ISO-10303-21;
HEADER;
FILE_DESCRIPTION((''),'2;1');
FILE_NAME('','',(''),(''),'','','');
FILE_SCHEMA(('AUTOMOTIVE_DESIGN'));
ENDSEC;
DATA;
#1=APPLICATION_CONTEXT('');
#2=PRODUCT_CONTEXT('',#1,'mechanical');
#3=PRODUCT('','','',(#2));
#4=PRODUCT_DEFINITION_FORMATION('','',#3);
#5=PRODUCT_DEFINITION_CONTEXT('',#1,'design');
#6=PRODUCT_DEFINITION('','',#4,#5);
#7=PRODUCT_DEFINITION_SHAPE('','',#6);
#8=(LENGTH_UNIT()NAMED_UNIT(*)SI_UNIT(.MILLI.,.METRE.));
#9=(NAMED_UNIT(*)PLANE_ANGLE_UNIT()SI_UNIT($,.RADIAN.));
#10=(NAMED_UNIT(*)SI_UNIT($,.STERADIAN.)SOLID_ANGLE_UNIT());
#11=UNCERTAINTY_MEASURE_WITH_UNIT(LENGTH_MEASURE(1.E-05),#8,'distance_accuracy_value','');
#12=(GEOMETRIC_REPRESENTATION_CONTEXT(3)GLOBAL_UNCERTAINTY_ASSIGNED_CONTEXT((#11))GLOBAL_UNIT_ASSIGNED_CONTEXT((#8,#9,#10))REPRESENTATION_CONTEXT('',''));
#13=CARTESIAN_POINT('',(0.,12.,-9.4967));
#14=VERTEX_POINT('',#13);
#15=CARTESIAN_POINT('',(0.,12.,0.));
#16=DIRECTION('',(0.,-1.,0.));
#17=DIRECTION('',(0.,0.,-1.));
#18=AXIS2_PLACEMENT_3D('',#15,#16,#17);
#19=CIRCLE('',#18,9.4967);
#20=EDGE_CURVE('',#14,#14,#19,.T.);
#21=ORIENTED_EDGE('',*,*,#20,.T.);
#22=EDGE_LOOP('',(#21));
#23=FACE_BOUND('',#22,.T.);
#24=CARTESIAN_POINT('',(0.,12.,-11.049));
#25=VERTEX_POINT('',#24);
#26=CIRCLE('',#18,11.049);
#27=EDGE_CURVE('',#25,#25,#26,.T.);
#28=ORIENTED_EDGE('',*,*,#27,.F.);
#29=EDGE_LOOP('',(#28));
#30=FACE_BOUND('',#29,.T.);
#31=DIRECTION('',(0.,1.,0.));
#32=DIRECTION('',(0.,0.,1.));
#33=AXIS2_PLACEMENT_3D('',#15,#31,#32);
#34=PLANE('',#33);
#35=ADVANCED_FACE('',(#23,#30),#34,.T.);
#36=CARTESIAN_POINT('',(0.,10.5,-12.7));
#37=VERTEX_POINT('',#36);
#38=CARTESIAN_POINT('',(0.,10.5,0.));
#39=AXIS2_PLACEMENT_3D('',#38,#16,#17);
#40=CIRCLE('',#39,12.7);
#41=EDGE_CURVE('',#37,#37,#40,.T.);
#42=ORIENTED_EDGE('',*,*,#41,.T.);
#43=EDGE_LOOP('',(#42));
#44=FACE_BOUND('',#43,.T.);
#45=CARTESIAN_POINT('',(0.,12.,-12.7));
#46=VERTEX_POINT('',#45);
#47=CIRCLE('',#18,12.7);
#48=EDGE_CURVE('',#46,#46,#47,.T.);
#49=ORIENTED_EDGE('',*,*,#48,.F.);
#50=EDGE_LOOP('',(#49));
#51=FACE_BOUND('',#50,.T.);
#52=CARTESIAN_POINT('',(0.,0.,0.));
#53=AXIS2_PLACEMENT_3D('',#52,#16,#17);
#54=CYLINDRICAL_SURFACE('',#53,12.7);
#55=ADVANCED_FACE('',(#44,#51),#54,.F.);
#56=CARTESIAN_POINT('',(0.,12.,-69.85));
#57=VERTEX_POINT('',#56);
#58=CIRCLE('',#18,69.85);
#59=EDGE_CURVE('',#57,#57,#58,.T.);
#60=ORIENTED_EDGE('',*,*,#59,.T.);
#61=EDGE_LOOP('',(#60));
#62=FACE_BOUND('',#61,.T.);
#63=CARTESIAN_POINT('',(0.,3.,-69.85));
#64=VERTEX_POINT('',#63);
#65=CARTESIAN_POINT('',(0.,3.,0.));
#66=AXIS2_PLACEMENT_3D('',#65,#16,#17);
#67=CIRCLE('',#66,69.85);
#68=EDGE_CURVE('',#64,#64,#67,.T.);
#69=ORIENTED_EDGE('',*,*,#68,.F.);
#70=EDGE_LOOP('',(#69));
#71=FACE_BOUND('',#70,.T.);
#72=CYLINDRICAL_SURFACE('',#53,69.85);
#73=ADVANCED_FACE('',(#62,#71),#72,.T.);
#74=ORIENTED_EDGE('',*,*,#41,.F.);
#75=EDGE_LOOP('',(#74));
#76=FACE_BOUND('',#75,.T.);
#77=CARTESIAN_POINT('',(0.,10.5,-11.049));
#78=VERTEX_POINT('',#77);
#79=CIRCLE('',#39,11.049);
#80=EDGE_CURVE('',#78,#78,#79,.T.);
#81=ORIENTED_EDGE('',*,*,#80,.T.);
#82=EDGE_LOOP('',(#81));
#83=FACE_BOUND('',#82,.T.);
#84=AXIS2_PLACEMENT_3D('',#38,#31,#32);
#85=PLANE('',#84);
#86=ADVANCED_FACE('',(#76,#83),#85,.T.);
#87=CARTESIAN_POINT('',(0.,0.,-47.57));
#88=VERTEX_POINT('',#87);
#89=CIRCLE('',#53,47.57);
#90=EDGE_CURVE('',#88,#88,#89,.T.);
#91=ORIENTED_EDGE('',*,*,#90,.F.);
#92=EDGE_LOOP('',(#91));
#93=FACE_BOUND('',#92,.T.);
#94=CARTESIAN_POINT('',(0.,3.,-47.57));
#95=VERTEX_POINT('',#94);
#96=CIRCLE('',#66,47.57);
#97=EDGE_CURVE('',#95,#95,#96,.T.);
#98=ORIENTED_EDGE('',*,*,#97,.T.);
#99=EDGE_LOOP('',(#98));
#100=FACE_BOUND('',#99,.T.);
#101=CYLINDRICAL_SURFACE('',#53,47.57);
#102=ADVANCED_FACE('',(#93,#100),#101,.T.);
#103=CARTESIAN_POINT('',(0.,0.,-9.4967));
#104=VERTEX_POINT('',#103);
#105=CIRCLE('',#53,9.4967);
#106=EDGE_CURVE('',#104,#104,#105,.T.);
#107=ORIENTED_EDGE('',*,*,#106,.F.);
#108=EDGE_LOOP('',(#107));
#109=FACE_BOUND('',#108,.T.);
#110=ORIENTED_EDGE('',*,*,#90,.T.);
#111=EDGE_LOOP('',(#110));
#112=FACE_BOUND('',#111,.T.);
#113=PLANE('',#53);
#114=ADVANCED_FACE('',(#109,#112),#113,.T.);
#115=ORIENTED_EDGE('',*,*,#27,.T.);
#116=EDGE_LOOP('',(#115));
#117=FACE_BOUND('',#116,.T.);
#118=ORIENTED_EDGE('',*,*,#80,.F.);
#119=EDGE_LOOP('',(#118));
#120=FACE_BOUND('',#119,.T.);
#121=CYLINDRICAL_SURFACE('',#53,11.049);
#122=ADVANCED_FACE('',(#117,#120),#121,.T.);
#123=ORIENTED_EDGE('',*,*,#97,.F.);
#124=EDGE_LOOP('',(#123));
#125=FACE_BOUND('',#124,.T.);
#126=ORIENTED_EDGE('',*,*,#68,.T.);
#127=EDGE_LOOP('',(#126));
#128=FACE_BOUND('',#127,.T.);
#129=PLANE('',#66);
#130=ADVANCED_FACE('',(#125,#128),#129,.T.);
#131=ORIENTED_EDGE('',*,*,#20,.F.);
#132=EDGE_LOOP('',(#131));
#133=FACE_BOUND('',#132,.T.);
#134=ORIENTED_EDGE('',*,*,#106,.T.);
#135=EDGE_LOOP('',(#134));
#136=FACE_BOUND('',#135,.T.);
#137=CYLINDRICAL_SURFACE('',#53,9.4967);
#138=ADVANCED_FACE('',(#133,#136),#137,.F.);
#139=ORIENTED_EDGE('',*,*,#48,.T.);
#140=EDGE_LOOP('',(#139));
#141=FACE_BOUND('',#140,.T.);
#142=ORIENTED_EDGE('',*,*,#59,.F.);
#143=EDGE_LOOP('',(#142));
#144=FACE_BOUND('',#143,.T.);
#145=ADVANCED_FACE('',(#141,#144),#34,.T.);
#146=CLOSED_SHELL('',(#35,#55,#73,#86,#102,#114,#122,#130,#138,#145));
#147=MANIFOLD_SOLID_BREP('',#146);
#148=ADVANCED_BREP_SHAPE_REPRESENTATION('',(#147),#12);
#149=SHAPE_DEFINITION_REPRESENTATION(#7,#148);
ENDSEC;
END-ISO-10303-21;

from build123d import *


with BuildPart() as part:
    # Sketch3 → Revolve1 (revolve)
    with BuildSketch(Plane.XY, mode=Mode.PRIVATE) as revolve1_sk:
        Polygon((-47.57, 0), (-9.4967, 0), (-9.4967, 12), (-11.049, 12), (-11.049, 10.5), (-12.7, 10.5), (-12.7, 12), (-69.85, 12), (-69.85, 3), (-47.57, 3), align=None)
    revolve(revolve1_sk.sketch.rotate(Axis((0, 0, 0), (0, 1, 0)), 270), axis=Axis((0, 0, 0), (0, 1, 0)))


solid = part.part
